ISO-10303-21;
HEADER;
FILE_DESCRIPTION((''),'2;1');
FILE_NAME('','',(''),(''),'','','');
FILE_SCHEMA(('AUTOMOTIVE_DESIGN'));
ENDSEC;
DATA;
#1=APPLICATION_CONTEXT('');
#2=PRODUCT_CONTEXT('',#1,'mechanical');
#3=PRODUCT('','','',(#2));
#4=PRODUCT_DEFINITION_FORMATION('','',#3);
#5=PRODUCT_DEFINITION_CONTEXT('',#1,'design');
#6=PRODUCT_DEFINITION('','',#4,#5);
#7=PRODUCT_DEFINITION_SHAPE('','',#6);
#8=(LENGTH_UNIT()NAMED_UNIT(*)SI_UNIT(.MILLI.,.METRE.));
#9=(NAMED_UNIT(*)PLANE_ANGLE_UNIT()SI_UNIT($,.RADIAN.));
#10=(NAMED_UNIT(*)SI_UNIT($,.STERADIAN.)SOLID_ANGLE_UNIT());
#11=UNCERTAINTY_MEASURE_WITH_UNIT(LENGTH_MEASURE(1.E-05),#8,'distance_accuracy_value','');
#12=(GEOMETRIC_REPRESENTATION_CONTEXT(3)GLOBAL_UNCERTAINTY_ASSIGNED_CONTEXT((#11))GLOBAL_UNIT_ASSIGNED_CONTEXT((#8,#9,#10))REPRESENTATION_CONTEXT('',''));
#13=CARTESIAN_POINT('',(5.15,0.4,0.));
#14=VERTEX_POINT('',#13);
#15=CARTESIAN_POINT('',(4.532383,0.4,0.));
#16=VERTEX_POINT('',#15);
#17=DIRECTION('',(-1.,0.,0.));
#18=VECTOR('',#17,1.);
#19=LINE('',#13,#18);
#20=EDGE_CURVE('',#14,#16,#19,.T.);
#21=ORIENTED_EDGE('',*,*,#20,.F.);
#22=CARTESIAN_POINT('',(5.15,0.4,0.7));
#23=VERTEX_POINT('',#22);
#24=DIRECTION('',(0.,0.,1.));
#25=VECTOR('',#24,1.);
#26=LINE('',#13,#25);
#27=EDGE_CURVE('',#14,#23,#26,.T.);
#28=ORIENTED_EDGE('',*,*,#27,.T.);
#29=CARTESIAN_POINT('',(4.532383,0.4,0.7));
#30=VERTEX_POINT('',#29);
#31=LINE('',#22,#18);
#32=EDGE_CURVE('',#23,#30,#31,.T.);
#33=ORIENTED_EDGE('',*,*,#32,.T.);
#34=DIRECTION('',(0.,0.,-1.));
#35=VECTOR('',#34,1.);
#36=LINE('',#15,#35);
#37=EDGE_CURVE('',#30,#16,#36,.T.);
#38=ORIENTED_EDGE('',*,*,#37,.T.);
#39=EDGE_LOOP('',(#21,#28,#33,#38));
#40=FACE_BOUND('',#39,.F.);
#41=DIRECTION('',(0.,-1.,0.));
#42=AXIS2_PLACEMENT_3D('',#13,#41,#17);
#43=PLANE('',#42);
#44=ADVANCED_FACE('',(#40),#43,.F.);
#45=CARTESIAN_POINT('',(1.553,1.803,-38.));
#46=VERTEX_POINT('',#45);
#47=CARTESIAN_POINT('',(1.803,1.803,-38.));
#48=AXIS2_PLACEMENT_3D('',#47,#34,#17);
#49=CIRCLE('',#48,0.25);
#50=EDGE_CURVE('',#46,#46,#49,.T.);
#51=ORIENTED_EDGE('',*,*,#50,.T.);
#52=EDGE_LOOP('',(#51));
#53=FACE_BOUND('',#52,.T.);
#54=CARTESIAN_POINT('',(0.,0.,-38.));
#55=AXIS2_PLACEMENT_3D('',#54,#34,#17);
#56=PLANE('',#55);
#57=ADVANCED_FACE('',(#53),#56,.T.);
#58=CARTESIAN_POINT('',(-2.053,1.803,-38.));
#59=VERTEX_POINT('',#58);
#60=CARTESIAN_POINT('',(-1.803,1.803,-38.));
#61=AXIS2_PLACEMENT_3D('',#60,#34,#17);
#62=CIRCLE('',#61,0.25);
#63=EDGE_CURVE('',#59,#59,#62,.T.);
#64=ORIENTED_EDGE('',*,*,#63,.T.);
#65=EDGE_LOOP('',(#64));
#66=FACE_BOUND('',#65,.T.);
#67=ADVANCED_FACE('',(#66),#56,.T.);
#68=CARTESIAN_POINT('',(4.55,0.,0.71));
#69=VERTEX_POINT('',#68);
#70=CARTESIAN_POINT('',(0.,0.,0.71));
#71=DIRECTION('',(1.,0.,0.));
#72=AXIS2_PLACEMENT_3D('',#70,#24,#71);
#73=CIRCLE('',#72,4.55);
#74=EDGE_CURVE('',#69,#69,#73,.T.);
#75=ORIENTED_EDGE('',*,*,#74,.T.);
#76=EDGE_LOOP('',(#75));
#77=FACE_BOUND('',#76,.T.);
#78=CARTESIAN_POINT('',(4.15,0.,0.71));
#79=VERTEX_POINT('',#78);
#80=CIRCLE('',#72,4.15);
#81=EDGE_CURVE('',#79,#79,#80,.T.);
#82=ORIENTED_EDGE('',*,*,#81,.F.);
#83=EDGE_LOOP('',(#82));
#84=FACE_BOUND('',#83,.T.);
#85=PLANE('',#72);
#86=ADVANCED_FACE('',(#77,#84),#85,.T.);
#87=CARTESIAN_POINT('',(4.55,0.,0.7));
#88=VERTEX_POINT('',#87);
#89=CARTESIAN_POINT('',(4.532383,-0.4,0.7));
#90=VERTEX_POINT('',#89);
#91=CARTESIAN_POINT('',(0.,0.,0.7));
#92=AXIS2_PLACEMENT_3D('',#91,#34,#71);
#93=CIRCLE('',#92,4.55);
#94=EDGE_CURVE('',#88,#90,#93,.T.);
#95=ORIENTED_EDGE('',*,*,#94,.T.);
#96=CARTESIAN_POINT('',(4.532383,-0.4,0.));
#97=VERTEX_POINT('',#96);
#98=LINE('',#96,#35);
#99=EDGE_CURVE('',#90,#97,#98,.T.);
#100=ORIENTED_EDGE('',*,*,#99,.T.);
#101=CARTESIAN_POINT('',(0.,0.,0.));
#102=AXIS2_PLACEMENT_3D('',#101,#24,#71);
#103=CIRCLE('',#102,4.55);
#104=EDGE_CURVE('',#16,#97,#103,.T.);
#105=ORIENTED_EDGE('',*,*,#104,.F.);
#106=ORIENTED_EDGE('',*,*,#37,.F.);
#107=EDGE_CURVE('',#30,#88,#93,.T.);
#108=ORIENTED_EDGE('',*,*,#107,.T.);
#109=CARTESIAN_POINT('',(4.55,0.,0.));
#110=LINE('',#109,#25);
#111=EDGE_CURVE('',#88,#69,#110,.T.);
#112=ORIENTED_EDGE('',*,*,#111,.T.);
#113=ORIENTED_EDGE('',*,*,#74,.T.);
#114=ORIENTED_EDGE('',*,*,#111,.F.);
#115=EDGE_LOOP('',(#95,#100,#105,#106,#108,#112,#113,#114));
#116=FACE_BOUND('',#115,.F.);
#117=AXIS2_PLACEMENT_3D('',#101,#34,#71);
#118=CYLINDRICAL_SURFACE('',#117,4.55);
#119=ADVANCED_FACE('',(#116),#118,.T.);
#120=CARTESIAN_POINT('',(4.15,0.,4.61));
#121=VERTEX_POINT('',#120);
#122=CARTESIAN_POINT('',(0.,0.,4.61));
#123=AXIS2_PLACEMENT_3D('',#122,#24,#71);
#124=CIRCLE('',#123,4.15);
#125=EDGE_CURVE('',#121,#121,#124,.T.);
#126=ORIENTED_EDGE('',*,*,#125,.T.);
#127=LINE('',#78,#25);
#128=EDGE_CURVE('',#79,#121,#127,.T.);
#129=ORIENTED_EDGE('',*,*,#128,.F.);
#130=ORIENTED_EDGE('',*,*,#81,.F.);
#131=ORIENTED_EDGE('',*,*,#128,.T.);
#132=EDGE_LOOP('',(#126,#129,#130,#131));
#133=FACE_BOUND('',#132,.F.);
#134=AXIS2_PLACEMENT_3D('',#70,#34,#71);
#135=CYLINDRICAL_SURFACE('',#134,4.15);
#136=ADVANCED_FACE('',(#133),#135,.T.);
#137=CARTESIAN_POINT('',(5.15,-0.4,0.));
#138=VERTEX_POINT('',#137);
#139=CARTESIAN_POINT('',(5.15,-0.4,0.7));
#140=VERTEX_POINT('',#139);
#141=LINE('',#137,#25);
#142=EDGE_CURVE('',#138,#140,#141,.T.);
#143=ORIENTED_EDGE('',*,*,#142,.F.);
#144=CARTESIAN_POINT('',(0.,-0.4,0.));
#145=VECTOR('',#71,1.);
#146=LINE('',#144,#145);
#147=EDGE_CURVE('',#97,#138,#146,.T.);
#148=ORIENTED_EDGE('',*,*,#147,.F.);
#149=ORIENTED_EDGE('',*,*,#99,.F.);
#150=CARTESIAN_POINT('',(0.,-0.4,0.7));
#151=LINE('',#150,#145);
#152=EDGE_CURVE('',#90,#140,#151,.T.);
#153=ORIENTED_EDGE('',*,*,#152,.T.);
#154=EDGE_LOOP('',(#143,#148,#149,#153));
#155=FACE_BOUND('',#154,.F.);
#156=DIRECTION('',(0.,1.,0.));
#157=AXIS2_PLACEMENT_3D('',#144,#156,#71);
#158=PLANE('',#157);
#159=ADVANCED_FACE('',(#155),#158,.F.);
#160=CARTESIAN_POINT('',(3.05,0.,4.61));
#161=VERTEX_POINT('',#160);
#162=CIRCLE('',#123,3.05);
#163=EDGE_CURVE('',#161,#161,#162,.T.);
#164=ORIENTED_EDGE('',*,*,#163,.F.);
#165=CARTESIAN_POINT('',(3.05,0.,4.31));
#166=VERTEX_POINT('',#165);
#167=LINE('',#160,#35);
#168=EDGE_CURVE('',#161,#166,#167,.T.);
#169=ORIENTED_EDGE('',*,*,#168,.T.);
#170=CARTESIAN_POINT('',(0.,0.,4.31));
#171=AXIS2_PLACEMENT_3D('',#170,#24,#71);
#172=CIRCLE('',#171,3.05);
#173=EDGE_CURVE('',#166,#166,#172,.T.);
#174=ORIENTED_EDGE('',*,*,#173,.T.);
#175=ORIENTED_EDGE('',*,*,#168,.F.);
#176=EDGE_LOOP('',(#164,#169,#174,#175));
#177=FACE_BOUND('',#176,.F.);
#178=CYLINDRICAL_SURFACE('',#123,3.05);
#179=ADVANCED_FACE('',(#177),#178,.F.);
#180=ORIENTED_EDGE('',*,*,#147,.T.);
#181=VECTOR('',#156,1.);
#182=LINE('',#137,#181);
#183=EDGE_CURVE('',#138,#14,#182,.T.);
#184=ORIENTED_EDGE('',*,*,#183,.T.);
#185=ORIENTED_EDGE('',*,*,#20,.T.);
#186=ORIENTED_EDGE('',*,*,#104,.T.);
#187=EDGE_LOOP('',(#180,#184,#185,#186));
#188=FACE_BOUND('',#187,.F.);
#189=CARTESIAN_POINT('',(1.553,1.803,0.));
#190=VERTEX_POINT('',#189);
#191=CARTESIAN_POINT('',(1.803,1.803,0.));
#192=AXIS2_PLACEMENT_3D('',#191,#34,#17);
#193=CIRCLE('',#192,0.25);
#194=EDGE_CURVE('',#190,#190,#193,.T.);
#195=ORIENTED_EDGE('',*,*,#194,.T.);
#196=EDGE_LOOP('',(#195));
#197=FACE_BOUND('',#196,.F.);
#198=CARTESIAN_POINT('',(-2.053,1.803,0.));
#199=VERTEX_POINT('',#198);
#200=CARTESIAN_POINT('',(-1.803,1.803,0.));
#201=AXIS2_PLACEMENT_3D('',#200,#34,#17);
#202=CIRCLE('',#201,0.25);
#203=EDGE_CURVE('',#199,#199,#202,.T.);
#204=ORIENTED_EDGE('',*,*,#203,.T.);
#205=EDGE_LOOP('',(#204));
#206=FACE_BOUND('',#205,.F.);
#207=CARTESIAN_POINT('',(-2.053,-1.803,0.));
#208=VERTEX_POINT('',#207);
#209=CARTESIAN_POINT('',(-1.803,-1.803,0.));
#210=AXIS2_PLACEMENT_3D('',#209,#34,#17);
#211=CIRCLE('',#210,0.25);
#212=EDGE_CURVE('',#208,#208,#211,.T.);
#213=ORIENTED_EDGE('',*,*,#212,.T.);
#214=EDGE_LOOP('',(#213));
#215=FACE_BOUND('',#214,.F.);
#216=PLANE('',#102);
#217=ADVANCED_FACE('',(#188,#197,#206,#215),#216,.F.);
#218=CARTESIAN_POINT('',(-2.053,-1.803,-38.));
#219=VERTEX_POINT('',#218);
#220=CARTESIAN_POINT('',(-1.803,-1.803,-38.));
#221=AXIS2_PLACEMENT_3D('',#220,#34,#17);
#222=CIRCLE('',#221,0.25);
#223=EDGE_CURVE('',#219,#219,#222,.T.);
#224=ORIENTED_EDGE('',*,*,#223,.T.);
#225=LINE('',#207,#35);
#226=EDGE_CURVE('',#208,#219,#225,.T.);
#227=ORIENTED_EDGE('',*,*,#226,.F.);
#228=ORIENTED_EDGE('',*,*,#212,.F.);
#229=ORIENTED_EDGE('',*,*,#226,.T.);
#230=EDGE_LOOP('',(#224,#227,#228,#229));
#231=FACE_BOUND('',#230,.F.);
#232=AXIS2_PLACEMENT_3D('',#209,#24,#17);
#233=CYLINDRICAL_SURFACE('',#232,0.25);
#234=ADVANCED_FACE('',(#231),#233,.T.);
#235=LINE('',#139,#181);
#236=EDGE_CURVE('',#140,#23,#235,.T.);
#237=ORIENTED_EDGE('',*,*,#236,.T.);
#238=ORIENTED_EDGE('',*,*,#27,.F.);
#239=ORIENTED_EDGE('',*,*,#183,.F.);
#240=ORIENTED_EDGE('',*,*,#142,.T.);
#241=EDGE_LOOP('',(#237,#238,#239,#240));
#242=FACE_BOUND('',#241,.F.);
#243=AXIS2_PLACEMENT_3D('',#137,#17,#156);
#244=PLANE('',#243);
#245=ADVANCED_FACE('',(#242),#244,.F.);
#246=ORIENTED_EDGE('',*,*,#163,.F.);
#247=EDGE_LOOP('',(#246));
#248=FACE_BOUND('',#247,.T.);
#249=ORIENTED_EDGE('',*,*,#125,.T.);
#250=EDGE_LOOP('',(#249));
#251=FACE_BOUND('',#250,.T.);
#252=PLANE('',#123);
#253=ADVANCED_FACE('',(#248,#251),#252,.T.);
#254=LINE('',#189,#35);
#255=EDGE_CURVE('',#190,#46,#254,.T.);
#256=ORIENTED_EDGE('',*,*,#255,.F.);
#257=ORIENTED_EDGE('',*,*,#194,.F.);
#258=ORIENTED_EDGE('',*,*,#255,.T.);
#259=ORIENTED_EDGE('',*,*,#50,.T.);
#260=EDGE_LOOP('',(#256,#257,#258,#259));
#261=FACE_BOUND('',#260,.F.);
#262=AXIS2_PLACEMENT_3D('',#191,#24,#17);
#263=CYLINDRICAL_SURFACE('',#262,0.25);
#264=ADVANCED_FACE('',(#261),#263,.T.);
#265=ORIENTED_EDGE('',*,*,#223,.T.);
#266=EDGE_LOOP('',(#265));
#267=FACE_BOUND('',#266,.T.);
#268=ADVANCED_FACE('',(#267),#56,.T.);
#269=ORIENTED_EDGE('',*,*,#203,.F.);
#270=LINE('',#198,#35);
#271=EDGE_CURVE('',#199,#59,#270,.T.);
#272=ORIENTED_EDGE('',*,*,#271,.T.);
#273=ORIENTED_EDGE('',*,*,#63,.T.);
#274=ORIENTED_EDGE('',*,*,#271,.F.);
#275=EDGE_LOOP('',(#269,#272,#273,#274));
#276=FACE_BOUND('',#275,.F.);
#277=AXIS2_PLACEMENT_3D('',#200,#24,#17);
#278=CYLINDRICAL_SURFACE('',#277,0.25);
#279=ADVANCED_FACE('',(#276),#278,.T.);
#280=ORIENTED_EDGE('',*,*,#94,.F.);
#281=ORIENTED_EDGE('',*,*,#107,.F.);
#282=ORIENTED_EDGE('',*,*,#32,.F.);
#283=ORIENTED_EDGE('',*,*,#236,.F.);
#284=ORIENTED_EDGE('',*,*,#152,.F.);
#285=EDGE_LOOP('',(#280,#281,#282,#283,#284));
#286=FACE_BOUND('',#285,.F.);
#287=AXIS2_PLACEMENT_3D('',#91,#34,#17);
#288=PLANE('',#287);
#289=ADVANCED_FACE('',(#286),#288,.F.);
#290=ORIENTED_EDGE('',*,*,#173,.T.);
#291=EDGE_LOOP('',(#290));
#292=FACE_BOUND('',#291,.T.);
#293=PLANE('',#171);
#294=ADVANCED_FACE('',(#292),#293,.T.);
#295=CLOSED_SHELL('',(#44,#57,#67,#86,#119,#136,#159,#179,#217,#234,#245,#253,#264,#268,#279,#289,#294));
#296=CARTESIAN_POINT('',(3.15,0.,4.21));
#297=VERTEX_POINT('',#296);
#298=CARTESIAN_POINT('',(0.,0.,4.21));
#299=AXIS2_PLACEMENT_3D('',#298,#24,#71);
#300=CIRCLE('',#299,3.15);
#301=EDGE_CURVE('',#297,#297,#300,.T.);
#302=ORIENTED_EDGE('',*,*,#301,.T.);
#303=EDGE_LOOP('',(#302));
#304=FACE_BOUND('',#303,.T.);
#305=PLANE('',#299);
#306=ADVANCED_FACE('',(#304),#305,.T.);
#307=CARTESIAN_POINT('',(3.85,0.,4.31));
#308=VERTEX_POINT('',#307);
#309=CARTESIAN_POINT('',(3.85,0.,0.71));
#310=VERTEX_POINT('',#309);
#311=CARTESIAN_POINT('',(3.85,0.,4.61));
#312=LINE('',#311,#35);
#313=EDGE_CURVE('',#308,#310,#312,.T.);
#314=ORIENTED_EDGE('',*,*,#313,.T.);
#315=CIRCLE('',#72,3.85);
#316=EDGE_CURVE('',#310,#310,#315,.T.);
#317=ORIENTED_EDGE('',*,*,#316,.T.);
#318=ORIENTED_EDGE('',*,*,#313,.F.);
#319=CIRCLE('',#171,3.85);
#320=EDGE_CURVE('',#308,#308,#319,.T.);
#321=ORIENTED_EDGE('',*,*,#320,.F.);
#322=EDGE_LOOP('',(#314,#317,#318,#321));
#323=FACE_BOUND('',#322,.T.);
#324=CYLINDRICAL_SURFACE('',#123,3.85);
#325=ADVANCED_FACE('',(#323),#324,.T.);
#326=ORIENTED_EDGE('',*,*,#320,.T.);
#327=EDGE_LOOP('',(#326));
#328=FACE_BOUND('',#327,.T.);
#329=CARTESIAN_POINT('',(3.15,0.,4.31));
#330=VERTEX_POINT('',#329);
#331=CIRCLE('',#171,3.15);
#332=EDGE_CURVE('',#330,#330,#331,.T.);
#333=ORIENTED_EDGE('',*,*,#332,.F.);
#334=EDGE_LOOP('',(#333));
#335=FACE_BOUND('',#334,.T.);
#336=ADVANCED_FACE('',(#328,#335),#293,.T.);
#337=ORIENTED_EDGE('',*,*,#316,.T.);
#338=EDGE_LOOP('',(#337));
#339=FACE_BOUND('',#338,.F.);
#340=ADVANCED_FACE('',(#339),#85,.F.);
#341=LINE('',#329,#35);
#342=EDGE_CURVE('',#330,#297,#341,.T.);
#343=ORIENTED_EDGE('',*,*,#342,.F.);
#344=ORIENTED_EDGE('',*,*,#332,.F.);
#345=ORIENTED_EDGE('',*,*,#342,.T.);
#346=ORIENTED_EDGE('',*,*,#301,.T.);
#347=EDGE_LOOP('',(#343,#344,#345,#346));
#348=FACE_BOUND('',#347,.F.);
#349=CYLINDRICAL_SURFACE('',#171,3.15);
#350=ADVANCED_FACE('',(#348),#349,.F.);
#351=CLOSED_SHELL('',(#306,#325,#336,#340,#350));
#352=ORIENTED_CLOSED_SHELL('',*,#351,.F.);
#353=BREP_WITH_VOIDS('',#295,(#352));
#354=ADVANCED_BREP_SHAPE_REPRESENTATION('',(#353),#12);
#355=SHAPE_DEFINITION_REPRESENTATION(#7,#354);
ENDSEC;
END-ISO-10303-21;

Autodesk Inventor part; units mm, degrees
ref_plane "YZ Plane" through (0, 0, 0) normal (1, 0, 0) x (0, 1, 0)
ref_plane "XZ Plane" through (0, 0, 0) normal (0, 1, 0) x (-1, 0, 0)
ref_plane "XY Plane" through (0, 0, 0) normal (0, 0, 1) x (1, 0, 0)
sketch "Sketch1" plane through (0, 0, 0) normal (0, 0, 1) x (1, 0, 0)
  circle A0 centre (0, 0) radius 4.55
  dimension "d0" = 9.1
extrude "Base" add sketch "Sketch1" along normal blind 0.71
sketch "Sketch2" plane through (0, 0, 0.71) normal (0, 0, 1) x (1, 0, 0)
  circle A0 centre (0, 0) radius 4.15
  dimension "d3" = 8.3
extrude "Can: Outer Wall" add sketch "Sketch2" along normal blind 3.9
sketch "Sketch3" plane through (0, 0, 4.61) normal (0, 0, 1) x (1, 0, 0)
  circle A0 centre (0, 0) radius 3.85
  dimension "d6" = 7.7
extrude "Can: Inner Wall" cut sketch "Sketch3" against normal blind 3.9
sketch "Sketch4" plane through (0, 0, 4.61) normal (0, 0, 1) x (1, 0, 0)
  circle A0 centre (0, 0) radius 3.85
  dimension "d9" = 7.7
extrude "Can: Top" add sketch "Sketch4" against normal blind 0.3
sketch "Sketch5" plane through (0, 0, 4.61) normal (0, 0, 1) x (1, 0, 0)
  circle A0 centre (0, 0) radius 3.05
  dimension "d12" = 6.1
extrude "Can: Hole" cut sketch "Sketch5" against normal blind 0.3
ref_plane "Work Plane1" through (0, 0, 4.31) normal (0, 0, 1) x (1, 0, 0)
sketch "Sketch8" plane through (0, 0, 4.31) normal (0, 0, 1) x (1, 0, 0)
  circle A0 centre (0, 0) radius 3.15
  dimension "d16" = 6.3
extrude "Window" add sketch "Sketch8" against normal blind 0.1
sketch "Sketch9" plane through (0, 0, 0) normal (0, 0, -1) x (-1, 0, 0)
  line L0 (0, -0.4) -> (-5.15, -0.4)
  line L1 (-5.15, -0.4) -> (-5.15, 0.4)
  line L2 (-5.15, 0.4) -> (0, 0.4)
  line L3 (0, 0.4) -> (0, -0.4)
  point P0 (0, 0)
  dimension "d19" = 5.15
  dimension "d20" = 0.8
extrude "Key" add sketch "Sketch9" against normal blind 0.7
sketch "Sketch10" plane through (0, 0, 0) normal (0, 0, -1) x (-1, 0, 0)
  circle A0 centre (-1.803, 1.803) radius 0.25
  point P0 (0, 0)
  dimension "d23" = 0.5
extrude "Pin 1" add sketch "Sketch10" along normal blind 38
sketch "Sketch11" plane through (0, 0, 0) normal (0, 0, -1) x (-1, 0, 0)
  circle A0 centre (1.803, 1.803) radius 0.25
  point P0 (0, 0)
  dimension "d26" = 0.5
extrude "Pin 2" add sketch "Sketch11" along normal blind 38
sketch "Sketch12" plane through (0, 0, 0) normal (0, 0, -1) x (-1, 0, 0)
  circle A0 centre (1.803, -1.803) radius 0.25
  point P0 (0, 0)
  dimension "d29" = 0.5
extrude "Pin 3" add sketch "Sketch12" along normal blind 38
properties part number "Thorlabs_FDS010" material "Gold"
